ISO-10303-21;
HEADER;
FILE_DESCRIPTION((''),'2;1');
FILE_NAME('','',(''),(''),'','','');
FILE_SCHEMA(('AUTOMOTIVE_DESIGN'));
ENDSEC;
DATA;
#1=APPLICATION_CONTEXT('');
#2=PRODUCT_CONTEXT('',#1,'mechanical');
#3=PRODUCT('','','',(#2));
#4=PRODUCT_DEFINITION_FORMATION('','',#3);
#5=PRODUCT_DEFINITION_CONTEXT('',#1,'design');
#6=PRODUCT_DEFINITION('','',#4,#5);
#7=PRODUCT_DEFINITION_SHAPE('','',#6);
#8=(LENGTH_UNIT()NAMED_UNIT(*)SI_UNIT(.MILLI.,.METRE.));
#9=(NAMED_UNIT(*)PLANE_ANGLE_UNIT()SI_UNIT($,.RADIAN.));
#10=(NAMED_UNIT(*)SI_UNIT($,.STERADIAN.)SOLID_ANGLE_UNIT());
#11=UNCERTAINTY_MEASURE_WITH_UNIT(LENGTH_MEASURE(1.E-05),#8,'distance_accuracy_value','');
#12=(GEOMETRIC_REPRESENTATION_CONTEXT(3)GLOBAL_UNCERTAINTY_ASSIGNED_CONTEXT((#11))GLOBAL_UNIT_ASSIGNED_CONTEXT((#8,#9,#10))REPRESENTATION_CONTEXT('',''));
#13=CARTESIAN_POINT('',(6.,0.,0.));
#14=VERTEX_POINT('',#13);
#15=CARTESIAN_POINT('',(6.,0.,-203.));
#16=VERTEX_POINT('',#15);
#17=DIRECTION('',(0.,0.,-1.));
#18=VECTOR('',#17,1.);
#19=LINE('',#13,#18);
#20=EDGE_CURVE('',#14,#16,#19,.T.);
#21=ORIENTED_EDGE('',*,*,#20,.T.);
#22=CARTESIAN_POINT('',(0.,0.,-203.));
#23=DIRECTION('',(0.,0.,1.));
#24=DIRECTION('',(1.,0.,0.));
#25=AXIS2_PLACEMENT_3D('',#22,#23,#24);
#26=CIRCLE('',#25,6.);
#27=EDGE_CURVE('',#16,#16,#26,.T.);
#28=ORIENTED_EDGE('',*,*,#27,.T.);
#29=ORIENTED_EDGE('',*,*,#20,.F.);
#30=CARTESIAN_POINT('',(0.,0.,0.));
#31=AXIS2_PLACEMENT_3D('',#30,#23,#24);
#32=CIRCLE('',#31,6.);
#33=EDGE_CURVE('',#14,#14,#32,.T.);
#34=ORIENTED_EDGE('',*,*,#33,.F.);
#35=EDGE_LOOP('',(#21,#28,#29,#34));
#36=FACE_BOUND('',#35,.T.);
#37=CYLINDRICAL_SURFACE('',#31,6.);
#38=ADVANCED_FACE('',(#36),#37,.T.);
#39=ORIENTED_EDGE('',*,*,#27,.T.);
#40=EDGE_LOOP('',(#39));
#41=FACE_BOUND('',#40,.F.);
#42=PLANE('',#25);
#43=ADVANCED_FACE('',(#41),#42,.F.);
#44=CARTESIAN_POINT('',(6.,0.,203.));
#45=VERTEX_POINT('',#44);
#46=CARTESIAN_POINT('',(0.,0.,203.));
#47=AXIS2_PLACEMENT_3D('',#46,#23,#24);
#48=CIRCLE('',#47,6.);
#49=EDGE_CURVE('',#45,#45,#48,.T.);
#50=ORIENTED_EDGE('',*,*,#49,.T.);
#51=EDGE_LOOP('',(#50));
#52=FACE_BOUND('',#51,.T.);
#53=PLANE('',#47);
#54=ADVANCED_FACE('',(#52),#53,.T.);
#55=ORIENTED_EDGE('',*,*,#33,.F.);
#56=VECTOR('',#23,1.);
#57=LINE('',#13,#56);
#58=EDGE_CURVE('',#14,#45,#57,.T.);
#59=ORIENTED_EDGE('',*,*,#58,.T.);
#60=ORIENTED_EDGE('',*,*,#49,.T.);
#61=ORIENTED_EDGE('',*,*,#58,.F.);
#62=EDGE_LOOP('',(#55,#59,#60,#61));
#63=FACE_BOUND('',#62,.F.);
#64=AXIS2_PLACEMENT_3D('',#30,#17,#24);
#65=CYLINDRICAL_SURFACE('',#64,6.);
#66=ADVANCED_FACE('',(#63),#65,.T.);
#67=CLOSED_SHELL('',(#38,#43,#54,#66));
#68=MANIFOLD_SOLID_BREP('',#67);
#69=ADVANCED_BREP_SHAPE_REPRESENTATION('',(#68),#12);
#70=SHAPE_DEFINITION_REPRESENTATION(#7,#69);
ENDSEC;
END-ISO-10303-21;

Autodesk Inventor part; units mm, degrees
ref_plane "YZ Plane" through (0, 0, 0) normal (1, 0, 0) x (0, 1, 0)
ref_plane "XZ Plane" through (0, 0, 0) normal (0, 1, 0) x (-1, 0, 0)
ref_plane "XY Plane" through (0, 0, 0) normal (0, 0, 1) x (1, 0, 0)
sketch "Sketch1" plane through (0, 0, 0) normal (0, 0, 1) x (1, 0, 0)
  circle A0 centre (0, 0) radius 6
  dimension "d0" = 12
extrude "Længde" add sketch "Sketch1" along normal mid plane 406
properties part number "12 mm Z rør" material "Aluminum 6061"
